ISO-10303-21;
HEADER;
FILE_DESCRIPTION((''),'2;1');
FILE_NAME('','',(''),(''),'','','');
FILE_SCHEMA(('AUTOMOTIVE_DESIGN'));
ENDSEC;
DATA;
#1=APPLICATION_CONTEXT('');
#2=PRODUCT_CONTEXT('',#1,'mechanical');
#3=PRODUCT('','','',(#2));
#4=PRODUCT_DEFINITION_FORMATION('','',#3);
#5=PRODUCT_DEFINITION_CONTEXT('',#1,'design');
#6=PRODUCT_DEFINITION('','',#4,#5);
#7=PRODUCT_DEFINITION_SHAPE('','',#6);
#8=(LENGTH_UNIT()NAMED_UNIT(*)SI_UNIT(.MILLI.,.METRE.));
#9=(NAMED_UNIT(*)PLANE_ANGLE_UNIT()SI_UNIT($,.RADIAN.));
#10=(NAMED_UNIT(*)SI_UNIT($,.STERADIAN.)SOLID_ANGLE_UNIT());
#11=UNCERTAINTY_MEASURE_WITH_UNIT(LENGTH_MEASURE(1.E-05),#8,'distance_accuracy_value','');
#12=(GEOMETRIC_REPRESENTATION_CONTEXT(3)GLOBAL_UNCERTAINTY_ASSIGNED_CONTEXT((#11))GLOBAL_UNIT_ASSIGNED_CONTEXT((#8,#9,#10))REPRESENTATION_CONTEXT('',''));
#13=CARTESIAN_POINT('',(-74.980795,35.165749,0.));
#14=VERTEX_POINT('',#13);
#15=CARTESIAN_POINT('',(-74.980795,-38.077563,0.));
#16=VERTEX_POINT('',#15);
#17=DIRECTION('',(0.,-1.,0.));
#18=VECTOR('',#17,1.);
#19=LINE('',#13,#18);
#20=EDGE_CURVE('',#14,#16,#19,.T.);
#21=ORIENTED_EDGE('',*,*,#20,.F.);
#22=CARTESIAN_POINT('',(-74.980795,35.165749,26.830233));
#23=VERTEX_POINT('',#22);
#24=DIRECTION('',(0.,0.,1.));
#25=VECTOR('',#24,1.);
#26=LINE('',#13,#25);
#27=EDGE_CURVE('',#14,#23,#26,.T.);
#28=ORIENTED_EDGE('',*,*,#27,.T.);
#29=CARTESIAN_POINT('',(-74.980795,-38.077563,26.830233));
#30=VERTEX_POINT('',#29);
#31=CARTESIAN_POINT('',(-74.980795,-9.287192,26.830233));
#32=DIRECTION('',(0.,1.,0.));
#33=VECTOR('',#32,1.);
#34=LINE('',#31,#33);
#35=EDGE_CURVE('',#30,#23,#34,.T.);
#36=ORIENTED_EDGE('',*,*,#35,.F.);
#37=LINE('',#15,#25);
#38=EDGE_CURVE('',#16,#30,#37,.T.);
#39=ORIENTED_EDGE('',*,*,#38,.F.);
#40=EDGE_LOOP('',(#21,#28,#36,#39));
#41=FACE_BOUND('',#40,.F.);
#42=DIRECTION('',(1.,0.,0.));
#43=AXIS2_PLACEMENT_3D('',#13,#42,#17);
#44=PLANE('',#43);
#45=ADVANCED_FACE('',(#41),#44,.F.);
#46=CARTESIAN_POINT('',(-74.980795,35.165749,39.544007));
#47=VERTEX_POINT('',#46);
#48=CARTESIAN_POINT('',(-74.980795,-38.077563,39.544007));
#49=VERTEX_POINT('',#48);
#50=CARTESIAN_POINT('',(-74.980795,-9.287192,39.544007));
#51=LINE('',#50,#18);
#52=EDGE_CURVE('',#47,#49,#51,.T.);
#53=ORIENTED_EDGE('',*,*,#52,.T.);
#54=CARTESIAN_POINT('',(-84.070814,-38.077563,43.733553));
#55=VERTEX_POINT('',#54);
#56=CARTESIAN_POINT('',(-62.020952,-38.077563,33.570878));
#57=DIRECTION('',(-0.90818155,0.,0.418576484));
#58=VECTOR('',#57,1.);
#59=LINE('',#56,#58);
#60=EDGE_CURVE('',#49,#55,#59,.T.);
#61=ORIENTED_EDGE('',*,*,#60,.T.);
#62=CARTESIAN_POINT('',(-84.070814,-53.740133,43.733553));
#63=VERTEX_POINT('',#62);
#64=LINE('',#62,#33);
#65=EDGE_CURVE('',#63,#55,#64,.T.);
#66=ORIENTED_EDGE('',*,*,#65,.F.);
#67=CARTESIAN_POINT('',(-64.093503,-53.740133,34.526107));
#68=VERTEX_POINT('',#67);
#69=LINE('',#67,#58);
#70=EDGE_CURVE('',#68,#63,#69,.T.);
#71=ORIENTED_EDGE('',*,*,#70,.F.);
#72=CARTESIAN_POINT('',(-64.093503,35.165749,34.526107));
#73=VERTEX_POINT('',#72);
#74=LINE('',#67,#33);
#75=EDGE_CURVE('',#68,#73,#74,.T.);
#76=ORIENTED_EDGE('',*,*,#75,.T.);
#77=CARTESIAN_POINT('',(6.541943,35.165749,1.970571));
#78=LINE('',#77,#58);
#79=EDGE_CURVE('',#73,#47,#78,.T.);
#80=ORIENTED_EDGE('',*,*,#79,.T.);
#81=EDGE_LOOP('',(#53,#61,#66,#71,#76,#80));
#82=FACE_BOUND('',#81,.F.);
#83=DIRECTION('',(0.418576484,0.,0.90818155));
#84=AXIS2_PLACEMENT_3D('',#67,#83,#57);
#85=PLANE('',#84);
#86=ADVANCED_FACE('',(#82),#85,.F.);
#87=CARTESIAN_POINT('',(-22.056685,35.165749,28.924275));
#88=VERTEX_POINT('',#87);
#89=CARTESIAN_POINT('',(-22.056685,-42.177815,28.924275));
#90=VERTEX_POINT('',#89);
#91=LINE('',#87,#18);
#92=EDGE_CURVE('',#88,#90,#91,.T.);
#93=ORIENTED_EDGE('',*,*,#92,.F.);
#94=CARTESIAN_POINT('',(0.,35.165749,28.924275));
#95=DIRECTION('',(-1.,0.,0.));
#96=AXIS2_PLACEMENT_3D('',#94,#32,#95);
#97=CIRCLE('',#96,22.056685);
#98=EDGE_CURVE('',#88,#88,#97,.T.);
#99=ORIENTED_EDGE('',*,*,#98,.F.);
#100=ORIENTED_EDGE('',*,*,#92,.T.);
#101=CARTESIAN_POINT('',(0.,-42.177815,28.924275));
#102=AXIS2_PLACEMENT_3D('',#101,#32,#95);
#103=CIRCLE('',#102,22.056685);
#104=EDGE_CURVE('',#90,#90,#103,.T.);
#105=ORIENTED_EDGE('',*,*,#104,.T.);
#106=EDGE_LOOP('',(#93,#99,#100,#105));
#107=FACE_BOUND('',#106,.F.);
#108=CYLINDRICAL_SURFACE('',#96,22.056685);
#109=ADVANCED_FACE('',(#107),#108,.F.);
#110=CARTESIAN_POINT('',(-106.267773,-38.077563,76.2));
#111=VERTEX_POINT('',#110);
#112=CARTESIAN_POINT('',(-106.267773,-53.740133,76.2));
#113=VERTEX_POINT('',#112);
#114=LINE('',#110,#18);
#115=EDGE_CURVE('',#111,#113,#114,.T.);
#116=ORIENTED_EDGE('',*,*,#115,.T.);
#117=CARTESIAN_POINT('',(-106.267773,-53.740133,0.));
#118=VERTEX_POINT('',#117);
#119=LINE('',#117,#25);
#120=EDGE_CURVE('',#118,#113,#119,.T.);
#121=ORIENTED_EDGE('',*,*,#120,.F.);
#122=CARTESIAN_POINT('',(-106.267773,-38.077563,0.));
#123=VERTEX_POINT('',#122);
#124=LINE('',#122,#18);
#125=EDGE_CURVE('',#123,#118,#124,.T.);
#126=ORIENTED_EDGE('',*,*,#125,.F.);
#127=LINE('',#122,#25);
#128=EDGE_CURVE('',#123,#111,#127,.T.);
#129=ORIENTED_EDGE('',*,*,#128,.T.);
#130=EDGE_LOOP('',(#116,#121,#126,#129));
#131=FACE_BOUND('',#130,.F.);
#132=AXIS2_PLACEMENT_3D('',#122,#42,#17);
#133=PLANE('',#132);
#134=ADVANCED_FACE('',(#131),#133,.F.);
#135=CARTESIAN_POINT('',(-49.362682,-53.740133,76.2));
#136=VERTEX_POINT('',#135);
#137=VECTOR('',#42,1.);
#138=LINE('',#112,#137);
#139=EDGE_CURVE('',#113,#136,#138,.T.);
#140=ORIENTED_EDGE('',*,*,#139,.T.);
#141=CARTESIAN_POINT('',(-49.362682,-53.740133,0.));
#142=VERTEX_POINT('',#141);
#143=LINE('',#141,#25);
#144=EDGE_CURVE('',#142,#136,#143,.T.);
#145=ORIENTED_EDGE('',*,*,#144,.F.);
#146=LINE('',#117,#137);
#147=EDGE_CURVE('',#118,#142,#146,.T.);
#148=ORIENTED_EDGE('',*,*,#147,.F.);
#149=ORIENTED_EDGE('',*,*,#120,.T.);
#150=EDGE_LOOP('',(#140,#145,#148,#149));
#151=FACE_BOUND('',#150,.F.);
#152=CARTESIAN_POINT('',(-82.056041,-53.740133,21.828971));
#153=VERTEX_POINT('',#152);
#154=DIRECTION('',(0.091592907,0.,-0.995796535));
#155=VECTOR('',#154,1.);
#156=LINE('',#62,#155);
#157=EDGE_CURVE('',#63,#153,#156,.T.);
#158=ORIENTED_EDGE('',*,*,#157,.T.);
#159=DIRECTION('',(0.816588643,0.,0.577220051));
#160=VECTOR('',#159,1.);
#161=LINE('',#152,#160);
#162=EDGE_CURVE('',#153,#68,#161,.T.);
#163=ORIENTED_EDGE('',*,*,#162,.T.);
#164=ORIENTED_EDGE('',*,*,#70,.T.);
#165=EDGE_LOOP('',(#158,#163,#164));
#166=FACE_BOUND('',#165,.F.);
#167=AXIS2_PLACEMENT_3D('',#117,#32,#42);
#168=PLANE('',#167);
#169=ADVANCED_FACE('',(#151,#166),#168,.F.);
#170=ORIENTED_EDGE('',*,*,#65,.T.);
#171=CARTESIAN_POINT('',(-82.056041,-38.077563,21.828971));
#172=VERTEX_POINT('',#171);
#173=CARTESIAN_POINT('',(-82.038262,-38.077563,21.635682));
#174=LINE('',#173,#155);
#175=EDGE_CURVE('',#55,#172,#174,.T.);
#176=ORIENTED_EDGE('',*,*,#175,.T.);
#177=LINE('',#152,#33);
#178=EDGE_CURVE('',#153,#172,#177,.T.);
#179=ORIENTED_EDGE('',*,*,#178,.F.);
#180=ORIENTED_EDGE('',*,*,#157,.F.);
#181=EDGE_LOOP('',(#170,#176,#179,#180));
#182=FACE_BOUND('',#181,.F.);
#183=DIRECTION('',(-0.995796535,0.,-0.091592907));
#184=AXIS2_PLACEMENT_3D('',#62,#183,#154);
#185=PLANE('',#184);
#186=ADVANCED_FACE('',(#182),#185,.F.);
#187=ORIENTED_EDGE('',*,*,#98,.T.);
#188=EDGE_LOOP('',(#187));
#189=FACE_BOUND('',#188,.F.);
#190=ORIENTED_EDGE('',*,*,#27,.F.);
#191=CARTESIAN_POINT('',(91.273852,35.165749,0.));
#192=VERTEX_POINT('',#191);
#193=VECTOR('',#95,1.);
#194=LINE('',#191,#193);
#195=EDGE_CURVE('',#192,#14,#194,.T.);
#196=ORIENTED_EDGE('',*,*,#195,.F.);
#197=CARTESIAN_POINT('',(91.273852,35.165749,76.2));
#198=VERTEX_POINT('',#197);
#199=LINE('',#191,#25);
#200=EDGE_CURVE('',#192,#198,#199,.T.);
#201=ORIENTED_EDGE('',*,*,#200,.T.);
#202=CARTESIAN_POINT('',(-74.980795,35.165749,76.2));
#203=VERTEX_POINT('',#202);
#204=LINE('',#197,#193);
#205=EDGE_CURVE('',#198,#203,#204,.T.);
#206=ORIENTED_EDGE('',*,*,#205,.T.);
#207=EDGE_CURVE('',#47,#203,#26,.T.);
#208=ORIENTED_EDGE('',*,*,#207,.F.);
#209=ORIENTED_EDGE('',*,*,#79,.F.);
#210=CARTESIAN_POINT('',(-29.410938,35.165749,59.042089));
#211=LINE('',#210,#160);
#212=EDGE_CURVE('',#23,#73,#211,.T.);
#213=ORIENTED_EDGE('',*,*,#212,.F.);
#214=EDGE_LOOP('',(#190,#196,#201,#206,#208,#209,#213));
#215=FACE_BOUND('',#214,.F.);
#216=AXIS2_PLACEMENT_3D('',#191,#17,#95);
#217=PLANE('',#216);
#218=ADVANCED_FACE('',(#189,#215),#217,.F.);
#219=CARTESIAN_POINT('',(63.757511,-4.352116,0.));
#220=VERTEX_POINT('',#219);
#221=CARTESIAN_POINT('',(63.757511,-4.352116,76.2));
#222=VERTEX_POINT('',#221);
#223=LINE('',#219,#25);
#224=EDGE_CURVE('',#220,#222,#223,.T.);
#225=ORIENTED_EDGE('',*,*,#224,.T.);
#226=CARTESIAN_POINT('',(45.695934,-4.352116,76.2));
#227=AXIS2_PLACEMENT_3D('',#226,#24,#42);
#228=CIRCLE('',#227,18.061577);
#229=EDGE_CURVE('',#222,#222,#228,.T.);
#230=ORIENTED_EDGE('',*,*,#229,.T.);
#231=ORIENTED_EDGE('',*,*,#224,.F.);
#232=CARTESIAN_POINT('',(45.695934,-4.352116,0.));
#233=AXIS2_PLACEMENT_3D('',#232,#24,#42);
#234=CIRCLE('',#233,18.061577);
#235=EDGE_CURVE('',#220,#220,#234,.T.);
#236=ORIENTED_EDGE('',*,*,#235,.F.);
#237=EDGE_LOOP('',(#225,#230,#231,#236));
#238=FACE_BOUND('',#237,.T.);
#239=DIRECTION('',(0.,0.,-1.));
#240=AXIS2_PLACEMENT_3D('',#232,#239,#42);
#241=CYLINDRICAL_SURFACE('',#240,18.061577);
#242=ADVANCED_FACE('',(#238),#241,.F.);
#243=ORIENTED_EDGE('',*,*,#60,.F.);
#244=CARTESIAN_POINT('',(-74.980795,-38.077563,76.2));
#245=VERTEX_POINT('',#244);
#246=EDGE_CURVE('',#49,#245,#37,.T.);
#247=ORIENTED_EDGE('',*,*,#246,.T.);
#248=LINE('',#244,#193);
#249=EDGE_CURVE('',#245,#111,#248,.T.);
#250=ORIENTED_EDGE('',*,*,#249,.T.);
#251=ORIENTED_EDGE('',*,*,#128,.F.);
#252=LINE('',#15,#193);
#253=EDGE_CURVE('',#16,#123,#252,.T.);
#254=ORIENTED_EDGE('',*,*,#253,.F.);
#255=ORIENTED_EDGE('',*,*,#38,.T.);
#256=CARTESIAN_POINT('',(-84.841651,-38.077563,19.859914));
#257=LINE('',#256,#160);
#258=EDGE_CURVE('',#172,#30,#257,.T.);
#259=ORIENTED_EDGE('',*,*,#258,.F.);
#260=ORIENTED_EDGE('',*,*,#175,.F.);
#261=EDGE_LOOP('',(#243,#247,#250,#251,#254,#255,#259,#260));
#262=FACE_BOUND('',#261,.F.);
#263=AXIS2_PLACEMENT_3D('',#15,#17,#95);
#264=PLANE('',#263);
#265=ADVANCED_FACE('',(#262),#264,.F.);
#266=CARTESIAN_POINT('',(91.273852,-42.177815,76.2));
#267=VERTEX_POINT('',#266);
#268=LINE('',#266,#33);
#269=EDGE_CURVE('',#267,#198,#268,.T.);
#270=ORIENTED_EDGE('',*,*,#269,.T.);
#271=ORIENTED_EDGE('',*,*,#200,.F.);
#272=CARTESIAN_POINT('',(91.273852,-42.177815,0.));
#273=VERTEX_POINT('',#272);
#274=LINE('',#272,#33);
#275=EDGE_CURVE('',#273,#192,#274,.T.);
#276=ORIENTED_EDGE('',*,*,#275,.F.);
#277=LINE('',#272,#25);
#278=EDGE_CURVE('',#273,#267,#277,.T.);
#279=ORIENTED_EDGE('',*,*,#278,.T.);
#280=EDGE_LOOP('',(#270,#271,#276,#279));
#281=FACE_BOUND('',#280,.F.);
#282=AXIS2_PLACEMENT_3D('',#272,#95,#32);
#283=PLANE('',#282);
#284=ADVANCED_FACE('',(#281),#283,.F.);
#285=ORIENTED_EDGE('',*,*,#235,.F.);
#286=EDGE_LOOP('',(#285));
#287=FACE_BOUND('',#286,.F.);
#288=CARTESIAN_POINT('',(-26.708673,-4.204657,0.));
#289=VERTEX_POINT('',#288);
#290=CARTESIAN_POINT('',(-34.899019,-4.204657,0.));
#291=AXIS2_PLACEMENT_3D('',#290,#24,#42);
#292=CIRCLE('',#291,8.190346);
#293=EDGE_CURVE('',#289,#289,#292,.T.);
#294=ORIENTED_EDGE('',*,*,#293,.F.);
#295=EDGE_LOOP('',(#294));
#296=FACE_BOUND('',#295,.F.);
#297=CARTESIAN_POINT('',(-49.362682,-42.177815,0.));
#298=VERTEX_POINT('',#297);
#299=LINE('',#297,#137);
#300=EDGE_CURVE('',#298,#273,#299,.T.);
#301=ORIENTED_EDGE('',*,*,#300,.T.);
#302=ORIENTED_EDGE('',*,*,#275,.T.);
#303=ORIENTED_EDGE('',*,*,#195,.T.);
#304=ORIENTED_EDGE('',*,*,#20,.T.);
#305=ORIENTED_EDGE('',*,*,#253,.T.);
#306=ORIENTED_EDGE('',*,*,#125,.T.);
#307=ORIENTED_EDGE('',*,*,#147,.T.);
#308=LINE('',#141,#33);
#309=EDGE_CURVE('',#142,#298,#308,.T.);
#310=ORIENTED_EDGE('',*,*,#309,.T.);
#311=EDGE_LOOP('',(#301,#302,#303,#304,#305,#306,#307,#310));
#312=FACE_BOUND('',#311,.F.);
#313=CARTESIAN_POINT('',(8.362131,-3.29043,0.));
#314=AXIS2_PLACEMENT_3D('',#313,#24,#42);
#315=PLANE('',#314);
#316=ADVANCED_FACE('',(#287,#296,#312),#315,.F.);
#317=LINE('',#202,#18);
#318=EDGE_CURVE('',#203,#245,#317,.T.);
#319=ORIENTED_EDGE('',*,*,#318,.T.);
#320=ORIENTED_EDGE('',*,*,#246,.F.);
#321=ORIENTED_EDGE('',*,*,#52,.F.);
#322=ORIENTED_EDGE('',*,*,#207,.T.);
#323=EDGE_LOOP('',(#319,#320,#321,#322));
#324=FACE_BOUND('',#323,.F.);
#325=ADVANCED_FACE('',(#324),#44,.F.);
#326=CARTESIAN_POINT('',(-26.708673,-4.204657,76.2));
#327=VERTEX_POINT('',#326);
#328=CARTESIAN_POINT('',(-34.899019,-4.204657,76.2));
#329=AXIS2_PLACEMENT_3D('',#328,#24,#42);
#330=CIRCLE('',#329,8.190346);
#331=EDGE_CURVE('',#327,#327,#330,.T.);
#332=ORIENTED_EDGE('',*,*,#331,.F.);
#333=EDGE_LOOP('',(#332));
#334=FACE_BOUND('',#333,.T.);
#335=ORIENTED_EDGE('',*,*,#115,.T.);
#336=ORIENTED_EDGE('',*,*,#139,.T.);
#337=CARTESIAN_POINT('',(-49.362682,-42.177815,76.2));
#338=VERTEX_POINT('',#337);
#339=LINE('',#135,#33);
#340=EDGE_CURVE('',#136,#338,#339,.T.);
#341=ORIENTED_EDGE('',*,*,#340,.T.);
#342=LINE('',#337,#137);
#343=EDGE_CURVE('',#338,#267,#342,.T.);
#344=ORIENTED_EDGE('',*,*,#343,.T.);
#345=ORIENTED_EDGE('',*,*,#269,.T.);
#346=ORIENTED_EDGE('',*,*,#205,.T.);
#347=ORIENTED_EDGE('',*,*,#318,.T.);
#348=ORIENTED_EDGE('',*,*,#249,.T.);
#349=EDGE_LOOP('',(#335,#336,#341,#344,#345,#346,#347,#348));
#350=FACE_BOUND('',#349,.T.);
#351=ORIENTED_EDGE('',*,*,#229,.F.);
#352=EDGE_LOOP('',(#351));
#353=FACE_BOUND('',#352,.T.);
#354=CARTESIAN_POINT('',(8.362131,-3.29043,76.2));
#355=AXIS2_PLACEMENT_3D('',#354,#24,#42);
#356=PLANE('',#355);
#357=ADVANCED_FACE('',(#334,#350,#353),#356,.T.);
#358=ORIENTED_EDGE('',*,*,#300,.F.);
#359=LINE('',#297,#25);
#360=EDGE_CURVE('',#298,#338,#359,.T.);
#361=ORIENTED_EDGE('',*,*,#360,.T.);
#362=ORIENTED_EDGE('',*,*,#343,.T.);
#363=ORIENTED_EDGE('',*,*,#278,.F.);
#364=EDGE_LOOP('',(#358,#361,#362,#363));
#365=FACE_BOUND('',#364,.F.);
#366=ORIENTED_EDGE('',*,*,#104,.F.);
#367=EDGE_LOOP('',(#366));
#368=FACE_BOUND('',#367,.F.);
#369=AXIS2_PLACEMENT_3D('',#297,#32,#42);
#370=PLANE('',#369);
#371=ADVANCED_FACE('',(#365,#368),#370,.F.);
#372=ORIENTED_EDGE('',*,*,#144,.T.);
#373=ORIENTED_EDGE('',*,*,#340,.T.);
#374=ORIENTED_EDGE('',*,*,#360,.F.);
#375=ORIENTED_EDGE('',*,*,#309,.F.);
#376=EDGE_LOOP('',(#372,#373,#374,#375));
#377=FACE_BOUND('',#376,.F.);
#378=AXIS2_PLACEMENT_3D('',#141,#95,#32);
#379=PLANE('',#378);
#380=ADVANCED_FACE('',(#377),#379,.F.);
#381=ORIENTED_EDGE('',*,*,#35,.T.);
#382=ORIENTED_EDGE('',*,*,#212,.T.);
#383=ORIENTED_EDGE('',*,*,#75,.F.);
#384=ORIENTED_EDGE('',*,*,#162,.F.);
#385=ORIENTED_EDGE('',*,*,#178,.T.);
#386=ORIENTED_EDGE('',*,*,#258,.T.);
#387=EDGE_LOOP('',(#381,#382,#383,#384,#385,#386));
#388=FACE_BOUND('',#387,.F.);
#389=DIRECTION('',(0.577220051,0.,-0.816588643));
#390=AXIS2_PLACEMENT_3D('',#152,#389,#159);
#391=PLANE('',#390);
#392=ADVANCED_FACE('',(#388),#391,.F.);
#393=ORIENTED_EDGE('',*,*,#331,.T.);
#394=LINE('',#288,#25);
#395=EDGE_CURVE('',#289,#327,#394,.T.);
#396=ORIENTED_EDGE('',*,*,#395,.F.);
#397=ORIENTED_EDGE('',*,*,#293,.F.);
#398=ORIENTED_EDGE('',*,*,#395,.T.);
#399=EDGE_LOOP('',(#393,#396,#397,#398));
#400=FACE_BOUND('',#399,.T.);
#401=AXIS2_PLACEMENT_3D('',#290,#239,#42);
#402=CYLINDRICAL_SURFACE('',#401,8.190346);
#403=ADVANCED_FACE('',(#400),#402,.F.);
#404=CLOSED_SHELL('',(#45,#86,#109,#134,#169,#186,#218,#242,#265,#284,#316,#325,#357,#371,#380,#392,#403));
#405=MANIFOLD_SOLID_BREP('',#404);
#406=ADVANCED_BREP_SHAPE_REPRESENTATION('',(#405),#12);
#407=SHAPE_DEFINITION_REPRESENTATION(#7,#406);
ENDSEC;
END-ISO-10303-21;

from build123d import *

# Parameters (mm, degrees)
F0_R     = 8.190345508
F0_R_2   = 18.0615768445
F0_W     = 25.6181135774
F0_H     = 4.1002519429
F1_DEPTH = 76.2
F3_DEPTH = 88.9068820903
F4_R     = 22.0566851371
F5_DEPTH = 88.9068820903


with BuildPart() as f1:
    # F0 (on Top) → F1 (new body)
    with BuildSketch(Plane.XY):
        Polygon((91.2738516927, 35.1657494903), (-74.9807953835, 35.1657494903), (-74.9807953835, -38.0775630474), (-49.3626818061, -38.0775630474), (-49.3626818061, -42.1778149903), (91.2738516927, -42.1778149903), align=None)
        with Locations((-34.8990187049, -4.2046573944)):
            Circle(F0_R, mode=Mode.SUBTRACT)
        with Locations((45.6959344447, -4.3521164916)):
            Circle(F0_R_2, mode=Mode.SUBTRACT)
        Polygon((-74.9807953835, -42.1778149903), (-74.9807953835, -38.0775630474), (-106.267772615, -38.0775630474), (-106.267772615, -53.7401326001), (-49.3626818061, -53.7401326001), (-49.3626818061, -42.1778149903), align=None)
        with Locations((-62.1717385948, -40.1276890188)):
            Rectangle(F0_W, F0_H)
    extrude(amount=F1_DEPTH)

    # F2 (on face) → F3 (cut, through all)
    with BuildSketch(Plane.XZ.offset(53.7401326001)):
        Polygon((-64.0935031806, 34.5261069518), (-84.0708138313, 43.7335528065), (-82.05604052, 21.8289713563), align=None)
    extrude(amount=-F3_DEPTH, mode=Mode.SUBTRACT)

    # F4 (on face) → F5 (cut, through all)
    with BuildSketch(Plane(origin=(0, 35.1657494903, 0), x_dir=(-1, 0, 0), z_dir=(0, 1, 0))):
        with Locations((0, 28.9242751896)):
            Circle(F4_R)
    extrude(amount=-F5_DEPTH, mode=Mode.SUBTRACT)


solid = f1.part
